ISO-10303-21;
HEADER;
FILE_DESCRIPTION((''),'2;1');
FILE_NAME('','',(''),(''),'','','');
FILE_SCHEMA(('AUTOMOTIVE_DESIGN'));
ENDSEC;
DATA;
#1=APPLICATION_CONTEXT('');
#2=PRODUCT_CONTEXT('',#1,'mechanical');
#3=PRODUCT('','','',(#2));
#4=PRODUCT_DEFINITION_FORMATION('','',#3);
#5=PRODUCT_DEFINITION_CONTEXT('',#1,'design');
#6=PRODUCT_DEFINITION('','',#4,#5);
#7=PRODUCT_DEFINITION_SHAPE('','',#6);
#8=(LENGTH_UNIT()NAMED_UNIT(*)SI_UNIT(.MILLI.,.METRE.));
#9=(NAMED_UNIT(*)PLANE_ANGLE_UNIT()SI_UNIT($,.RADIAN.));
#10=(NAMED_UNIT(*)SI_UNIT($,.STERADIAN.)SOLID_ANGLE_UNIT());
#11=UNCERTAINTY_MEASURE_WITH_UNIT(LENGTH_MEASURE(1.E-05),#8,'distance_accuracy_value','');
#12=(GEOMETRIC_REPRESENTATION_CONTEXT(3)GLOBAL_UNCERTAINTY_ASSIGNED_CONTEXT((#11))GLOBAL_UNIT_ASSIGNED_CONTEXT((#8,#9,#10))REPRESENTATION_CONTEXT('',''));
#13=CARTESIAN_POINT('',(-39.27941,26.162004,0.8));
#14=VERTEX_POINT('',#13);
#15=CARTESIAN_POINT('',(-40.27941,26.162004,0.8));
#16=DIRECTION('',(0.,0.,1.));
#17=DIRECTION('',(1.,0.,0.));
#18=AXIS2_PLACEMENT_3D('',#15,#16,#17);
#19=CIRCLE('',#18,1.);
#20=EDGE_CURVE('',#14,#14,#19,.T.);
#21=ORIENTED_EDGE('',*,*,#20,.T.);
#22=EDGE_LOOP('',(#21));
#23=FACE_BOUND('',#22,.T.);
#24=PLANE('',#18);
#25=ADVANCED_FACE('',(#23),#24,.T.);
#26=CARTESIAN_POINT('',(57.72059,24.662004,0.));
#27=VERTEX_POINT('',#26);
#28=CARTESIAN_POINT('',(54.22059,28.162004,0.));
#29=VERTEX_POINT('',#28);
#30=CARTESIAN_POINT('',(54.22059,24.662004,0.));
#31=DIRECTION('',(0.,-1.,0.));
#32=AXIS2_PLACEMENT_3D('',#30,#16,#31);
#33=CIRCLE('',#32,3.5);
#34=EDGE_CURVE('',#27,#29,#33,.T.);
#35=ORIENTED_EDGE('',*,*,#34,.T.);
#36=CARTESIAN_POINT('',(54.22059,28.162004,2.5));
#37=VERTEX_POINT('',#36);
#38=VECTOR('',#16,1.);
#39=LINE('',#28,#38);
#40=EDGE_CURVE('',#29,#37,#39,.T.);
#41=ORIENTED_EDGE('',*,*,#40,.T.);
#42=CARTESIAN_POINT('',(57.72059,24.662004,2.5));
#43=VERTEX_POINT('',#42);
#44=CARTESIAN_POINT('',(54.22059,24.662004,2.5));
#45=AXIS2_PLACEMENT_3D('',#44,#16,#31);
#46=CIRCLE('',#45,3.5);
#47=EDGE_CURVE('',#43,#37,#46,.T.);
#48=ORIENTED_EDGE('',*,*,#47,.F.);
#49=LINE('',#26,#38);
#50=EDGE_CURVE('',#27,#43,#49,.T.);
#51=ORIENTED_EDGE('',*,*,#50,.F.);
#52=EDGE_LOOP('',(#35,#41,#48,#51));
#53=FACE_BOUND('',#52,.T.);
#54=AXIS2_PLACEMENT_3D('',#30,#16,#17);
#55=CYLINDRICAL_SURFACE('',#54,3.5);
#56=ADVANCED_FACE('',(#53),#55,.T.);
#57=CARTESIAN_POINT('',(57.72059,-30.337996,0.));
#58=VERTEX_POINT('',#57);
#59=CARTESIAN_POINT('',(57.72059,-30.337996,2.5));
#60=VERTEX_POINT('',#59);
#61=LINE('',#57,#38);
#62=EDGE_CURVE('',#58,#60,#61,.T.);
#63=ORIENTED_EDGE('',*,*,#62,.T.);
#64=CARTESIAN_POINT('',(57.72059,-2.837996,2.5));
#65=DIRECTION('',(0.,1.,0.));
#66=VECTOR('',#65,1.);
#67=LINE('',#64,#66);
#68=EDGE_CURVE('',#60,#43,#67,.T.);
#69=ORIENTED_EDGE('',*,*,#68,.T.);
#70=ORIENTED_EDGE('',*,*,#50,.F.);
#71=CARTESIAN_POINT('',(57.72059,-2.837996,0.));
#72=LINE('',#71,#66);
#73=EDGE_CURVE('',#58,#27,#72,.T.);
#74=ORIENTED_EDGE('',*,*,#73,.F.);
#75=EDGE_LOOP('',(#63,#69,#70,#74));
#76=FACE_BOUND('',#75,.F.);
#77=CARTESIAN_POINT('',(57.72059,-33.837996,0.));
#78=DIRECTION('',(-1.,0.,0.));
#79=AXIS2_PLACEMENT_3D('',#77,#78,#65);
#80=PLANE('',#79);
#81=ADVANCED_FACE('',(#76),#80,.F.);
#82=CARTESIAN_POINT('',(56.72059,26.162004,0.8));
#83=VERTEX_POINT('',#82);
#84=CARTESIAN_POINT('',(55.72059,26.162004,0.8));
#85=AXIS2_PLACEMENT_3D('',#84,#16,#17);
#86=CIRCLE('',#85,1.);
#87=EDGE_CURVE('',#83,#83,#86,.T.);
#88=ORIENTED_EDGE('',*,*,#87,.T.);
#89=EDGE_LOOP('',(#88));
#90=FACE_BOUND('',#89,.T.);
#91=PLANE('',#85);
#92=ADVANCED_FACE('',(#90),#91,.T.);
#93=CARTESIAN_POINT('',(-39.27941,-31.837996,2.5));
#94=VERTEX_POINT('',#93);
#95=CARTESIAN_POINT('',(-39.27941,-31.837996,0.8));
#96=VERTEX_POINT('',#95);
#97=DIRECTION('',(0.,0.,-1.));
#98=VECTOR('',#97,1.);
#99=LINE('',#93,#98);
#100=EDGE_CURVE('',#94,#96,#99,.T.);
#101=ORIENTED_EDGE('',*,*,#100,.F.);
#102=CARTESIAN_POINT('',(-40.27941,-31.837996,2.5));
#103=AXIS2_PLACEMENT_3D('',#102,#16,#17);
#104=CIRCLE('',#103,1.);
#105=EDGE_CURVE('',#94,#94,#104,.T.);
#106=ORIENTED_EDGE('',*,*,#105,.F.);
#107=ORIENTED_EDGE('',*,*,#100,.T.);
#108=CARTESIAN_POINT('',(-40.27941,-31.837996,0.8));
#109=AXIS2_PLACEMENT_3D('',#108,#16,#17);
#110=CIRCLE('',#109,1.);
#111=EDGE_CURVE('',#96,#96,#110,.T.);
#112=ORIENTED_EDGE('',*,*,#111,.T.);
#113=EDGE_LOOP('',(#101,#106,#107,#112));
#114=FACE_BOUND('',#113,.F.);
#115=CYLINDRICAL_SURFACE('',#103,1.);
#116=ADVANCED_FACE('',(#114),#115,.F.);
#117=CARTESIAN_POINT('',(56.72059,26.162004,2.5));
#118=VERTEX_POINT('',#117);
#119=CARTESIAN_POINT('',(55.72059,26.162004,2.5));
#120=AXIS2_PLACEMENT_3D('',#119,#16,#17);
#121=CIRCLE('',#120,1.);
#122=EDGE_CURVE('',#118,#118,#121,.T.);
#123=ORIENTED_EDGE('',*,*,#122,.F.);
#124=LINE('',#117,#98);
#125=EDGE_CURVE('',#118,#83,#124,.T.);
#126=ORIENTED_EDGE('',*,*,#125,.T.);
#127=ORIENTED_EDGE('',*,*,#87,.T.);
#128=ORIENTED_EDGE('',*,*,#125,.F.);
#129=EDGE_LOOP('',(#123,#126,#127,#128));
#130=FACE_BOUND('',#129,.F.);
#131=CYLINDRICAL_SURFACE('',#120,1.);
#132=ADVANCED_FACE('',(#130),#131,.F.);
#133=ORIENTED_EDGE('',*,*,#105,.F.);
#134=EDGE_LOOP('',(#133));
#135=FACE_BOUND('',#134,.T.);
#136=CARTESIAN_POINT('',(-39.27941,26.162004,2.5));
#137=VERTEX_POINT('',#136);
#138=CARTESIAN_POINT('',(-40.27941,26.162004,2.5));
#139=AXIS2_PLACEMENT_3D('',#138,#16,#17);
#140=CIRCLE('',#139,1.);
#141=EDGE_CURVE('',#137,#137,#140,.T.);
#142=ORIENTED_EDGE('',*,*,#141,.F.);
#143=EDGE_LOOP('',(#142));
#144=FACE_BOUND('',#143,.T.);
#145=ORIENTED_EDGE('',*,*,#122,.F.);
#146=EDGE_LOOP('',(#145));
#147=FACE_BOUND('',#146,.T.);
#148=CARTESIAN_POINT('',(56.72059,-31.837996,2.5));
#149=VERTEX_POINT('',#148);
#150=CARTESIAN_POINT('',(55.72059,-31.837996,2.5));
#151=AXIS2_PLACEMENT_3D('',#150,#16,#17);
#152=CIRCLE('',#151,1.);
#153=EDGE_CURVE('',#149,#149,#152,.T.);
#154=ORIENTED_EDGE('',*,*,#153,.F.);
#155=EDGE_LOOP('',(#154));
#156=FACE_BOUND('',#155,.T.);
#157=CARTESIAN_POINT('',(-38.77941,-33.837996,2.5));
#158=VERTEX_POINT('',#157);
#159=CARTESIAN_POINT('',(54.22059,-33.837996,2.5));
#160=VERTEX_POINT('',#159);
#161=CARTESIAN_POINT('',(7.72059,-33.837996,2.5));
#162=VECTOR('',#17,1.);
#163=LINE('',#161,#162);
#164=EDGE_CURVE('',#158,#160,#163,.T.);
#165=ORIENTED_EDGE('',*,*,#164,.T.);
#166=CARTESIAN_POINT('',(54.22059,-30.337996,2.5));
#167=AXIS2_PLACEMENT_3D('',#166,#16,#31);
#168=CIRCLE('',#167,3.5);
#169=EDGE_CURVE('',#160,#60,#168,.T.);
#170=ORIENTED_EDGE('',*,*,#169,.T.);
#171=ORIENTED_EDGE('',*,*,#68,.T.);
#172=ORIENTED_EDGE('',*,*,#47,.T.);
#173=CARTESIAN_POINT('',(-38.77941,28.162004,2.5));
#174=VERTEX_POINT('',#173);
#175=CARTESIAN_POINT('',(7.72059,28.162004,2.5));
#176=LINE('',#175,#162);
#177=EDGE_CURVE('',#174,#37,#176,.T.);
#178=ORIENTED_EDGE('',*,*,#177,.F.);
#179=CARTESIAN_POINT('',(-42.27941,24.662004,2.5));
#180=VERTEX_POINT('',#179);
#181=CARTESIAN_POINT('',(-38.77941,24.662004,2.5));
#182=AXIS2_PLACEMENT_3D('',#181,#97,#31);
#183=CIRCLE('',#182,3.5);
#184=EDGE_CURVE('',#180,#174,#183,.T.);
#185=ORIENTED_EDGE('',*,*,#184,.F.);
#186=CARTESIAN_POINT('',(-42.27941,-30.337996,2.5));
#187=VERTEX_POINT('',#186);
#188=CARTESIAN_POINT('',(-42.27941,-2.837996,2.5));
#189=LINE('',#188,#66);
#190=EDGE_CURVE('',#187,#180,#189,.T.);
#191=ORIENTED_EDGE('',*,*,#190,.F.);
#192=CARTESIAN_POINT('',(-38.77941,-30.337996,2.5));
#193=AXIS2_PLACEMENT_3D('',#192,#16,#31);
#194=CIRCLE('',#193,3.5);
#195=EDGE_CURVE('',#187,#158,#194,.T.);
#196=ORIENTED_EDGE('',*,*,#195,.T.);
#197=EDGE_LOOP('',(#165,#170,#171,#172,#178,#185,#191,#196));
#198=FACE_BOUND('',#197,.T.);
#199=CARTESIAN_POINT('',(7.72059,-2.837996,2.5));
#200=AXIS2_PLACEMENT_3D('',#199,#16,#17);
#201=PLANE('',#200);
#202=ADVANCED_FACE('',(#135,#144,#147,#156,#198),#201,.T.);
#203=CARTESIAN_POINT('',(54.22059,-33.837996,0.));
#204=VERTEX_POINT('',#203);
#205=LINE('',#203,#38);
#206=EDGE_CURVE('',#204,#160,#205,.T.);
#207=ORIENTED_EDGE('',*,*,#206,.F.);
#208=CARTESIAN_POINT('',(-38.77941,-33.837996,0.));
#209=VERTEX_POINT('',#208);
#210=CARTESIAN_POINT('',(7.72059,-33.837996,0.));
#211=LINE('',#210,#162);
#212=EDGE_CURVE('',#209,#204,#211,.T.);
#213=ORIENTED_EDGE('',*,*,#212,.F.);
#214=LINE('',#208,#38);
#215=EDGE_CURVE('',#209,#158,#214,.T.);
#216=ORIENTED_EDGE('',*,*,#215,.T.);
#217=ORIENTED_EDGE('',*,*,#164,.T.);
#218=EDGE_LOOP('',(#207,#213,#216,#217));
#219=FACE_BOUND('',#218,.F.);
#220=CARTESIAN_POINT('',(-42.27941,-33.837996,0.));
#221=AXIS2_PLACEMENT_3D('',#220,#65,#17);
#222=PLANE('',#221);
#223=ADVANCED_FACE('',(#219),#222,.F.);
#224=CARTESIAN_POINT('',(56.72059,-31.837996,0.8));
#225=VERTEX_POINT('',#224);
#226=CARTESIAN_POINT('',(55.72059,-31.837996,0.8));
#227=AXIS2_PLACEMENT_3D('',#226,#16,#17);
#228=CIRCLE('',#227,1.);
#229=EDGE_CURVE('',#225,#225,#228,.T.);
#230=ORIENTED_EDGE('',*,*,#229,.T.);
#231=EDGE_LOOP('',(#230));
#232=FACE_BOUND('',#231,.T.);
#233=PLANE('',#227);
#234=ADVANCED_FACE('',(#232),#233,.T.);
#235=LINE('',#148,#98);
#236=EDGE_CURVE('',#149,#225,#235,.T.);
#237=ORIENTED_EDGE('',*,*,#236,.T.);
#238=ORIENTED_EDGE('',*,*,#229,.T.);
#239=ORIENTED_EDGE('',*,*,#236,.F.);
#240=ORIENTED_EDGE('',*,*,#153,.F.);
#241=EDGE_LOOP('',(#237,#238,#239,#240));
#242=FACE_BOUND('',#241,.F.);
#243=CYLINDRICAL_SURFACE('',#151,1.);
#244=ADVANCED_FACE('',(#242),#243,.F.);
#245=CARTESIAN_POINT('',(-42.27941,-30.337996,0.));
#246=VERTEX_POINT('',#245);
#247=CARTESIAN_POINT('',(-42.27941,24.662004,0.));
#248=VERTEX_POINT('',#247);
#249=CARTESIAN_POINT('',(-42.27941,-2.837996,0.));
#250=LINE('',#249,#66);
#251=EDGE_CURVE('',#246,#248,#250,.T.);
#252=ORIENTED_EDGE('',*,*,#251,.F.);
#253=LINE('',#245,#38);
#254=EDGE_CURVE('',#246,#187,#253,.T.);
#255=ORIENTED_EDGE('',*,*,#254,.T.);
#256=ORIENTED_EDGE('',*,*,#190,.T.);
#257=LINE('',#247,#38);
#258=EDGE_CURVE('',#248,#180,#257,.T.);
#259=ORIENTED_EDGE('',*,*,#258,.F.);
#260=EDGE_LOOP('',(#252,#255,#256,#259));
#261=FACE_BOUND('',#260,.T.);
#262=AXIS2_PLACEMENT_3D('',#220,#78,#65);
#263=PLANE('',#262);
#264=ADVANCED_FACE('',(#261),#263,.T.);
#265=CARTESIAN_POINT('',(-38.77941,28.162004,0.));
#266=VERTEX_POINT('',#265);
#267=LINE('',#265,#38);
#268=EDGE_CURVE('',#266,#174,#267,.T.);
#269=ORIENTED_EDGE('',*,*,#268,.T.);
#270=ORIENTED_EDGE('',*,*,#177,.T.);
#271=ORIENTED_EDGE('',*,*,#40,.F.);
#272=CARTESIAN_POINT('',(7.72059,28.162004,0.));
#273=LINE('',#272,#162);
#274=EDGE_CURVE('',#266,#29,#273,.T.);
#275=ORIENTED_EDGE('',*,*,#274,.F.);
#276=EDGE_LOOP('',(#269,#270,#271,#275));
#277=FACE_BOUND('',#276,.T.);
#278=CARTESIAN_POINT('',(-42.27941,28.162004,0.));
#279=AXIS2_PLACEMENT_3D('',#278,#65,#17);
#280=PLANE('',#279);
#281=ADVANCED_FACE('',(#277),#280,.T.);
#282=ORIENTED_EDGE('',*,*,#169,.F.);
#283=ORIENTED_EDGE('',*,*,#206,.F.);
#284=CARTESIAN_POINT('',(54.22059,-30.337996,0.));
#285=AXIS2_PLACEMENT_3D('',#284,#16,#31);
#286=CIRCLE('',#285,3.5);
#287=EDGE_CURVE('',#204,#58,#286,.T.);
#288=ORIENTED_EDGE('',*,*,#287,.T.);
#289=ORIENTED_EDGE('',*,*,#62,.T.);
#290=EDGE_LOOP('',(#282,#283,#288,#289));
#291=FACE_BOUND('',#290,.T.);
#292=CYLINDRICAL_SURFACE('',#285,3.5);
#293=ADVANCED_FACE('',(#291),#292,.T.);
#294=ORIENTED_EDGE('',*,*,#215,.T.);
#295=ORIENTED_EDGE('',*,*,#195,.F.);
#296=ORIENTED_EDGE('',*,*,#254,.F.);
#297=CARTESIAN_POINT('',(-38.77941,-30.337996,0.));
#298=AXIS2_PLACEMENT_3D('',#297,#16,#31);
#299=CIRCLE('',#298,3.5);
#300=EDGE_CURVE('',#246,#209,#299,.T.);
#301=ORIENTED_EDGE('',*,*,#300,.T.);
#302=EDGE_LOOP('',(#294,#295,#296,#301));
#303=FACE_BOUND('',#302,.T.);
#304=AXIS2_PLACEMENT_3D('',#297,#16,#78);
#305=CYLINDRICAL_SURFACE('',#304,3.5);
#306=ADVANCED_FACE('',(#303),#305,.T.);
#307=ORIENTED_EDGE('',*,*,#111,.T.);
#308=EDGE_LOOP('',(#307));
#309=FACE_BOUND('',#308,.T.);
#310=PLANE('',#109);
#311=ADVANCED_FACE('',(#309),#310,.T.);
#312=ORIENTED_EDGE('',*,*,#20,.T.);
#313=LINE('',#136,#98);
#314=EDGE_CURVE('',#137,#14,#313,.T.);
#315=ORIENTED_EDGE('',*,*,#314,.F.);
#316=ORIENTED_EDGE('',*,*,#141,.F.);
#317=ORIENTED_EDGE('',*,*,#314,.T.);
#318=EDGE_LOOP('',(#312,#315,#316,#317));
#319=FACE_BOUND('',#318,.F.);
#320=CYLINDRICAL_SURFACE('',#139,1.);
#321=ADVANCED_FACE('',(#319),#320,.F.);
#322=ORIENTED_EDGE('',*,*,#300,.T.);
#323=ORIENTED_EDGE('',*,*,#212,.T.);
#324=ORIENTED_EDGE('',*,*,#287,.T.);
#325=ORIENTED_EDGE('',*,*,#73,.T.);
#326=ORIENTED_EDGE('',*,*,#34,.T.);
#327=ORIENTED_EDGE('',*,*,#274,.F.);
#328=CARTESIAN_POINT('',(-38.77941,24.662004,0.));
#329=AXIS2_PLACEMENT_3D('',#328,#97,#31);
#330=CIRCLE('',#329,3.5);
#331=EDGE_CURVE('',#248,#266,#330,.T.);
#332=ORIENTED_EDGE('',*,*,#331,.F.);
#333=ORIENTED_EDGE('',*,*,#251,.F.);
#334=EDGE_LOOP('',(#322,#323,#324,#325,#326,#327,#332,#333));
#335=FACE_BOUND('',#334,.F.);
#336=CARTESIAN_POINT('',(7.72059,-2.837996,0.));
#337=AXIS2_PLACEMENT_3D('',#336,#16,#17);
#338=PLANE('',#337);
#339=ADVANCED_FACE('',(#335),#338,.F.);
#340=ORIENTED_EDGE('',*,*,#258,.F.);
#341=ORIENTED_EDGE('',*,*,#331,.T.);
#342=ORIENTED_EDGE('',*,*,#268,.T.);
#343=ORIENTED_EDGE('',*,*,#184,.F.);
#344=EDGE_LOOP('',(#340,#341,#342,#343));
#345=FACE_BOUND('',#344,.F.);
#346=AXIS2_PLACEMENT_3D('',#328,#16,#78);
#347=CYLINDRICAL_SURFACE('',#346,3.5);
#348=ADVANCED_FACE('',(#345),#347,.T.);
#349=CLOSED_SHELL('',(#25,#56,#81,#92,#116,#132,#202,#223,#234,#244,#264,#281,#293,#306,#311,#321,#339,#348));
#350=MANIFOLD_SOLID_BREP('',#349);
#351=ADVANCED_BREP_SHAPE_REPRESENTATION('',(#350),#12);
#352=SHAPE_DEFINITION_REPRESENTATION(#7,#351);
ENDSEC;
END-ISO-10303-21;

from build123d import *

# Parameters (mm, degrees)
F0_W     = 100
F0_H     = 62
F1_DEPTH = 2.5
F2_R     = 3.5
F4_R     = 1
F5_DEPTH = 1.7


with BuildPart() as f1:
    # F0 (on Top) → F1 (new body)
    with BuildSketch(Plane.XY):
        with Locations((7.72059, -2.837996)):
            Rectangle(F0_W, F0_H)
    extrude(amount=F1_DEPTH)

    # F2
    f2_edges = [f1.edges().sort_by_distance(p)[0] for p in [
        (-42.27941, -33.837996, 1.25),
        (-42.27941, 28.162004, 1.25),
        (57.72059, 28.162004, 1.25),
        (57.72059, -33.837996, 1.25),
    ]]
    fillet(f2_edges, radius=F2_R)

    # F4 (on face) → F5 (cut)
    with BuildSketch(Plane.XY.offset(2.5)):
        with Locations((-40.27941, 26.162004)):
            Circle(F4_R)
        with Locations((-40.27941, -31.837996)):
            Circle(F4_R)
        with Locations((55.72059, 26.162004)):
            Circle(F4_R)
        with Locations((55.72059, -31.837996)):
            Circle(F4_R)
    extrude(amount=-F5_DEPTH, mode=Mode.SUBTRACT)


solid = f1.part
